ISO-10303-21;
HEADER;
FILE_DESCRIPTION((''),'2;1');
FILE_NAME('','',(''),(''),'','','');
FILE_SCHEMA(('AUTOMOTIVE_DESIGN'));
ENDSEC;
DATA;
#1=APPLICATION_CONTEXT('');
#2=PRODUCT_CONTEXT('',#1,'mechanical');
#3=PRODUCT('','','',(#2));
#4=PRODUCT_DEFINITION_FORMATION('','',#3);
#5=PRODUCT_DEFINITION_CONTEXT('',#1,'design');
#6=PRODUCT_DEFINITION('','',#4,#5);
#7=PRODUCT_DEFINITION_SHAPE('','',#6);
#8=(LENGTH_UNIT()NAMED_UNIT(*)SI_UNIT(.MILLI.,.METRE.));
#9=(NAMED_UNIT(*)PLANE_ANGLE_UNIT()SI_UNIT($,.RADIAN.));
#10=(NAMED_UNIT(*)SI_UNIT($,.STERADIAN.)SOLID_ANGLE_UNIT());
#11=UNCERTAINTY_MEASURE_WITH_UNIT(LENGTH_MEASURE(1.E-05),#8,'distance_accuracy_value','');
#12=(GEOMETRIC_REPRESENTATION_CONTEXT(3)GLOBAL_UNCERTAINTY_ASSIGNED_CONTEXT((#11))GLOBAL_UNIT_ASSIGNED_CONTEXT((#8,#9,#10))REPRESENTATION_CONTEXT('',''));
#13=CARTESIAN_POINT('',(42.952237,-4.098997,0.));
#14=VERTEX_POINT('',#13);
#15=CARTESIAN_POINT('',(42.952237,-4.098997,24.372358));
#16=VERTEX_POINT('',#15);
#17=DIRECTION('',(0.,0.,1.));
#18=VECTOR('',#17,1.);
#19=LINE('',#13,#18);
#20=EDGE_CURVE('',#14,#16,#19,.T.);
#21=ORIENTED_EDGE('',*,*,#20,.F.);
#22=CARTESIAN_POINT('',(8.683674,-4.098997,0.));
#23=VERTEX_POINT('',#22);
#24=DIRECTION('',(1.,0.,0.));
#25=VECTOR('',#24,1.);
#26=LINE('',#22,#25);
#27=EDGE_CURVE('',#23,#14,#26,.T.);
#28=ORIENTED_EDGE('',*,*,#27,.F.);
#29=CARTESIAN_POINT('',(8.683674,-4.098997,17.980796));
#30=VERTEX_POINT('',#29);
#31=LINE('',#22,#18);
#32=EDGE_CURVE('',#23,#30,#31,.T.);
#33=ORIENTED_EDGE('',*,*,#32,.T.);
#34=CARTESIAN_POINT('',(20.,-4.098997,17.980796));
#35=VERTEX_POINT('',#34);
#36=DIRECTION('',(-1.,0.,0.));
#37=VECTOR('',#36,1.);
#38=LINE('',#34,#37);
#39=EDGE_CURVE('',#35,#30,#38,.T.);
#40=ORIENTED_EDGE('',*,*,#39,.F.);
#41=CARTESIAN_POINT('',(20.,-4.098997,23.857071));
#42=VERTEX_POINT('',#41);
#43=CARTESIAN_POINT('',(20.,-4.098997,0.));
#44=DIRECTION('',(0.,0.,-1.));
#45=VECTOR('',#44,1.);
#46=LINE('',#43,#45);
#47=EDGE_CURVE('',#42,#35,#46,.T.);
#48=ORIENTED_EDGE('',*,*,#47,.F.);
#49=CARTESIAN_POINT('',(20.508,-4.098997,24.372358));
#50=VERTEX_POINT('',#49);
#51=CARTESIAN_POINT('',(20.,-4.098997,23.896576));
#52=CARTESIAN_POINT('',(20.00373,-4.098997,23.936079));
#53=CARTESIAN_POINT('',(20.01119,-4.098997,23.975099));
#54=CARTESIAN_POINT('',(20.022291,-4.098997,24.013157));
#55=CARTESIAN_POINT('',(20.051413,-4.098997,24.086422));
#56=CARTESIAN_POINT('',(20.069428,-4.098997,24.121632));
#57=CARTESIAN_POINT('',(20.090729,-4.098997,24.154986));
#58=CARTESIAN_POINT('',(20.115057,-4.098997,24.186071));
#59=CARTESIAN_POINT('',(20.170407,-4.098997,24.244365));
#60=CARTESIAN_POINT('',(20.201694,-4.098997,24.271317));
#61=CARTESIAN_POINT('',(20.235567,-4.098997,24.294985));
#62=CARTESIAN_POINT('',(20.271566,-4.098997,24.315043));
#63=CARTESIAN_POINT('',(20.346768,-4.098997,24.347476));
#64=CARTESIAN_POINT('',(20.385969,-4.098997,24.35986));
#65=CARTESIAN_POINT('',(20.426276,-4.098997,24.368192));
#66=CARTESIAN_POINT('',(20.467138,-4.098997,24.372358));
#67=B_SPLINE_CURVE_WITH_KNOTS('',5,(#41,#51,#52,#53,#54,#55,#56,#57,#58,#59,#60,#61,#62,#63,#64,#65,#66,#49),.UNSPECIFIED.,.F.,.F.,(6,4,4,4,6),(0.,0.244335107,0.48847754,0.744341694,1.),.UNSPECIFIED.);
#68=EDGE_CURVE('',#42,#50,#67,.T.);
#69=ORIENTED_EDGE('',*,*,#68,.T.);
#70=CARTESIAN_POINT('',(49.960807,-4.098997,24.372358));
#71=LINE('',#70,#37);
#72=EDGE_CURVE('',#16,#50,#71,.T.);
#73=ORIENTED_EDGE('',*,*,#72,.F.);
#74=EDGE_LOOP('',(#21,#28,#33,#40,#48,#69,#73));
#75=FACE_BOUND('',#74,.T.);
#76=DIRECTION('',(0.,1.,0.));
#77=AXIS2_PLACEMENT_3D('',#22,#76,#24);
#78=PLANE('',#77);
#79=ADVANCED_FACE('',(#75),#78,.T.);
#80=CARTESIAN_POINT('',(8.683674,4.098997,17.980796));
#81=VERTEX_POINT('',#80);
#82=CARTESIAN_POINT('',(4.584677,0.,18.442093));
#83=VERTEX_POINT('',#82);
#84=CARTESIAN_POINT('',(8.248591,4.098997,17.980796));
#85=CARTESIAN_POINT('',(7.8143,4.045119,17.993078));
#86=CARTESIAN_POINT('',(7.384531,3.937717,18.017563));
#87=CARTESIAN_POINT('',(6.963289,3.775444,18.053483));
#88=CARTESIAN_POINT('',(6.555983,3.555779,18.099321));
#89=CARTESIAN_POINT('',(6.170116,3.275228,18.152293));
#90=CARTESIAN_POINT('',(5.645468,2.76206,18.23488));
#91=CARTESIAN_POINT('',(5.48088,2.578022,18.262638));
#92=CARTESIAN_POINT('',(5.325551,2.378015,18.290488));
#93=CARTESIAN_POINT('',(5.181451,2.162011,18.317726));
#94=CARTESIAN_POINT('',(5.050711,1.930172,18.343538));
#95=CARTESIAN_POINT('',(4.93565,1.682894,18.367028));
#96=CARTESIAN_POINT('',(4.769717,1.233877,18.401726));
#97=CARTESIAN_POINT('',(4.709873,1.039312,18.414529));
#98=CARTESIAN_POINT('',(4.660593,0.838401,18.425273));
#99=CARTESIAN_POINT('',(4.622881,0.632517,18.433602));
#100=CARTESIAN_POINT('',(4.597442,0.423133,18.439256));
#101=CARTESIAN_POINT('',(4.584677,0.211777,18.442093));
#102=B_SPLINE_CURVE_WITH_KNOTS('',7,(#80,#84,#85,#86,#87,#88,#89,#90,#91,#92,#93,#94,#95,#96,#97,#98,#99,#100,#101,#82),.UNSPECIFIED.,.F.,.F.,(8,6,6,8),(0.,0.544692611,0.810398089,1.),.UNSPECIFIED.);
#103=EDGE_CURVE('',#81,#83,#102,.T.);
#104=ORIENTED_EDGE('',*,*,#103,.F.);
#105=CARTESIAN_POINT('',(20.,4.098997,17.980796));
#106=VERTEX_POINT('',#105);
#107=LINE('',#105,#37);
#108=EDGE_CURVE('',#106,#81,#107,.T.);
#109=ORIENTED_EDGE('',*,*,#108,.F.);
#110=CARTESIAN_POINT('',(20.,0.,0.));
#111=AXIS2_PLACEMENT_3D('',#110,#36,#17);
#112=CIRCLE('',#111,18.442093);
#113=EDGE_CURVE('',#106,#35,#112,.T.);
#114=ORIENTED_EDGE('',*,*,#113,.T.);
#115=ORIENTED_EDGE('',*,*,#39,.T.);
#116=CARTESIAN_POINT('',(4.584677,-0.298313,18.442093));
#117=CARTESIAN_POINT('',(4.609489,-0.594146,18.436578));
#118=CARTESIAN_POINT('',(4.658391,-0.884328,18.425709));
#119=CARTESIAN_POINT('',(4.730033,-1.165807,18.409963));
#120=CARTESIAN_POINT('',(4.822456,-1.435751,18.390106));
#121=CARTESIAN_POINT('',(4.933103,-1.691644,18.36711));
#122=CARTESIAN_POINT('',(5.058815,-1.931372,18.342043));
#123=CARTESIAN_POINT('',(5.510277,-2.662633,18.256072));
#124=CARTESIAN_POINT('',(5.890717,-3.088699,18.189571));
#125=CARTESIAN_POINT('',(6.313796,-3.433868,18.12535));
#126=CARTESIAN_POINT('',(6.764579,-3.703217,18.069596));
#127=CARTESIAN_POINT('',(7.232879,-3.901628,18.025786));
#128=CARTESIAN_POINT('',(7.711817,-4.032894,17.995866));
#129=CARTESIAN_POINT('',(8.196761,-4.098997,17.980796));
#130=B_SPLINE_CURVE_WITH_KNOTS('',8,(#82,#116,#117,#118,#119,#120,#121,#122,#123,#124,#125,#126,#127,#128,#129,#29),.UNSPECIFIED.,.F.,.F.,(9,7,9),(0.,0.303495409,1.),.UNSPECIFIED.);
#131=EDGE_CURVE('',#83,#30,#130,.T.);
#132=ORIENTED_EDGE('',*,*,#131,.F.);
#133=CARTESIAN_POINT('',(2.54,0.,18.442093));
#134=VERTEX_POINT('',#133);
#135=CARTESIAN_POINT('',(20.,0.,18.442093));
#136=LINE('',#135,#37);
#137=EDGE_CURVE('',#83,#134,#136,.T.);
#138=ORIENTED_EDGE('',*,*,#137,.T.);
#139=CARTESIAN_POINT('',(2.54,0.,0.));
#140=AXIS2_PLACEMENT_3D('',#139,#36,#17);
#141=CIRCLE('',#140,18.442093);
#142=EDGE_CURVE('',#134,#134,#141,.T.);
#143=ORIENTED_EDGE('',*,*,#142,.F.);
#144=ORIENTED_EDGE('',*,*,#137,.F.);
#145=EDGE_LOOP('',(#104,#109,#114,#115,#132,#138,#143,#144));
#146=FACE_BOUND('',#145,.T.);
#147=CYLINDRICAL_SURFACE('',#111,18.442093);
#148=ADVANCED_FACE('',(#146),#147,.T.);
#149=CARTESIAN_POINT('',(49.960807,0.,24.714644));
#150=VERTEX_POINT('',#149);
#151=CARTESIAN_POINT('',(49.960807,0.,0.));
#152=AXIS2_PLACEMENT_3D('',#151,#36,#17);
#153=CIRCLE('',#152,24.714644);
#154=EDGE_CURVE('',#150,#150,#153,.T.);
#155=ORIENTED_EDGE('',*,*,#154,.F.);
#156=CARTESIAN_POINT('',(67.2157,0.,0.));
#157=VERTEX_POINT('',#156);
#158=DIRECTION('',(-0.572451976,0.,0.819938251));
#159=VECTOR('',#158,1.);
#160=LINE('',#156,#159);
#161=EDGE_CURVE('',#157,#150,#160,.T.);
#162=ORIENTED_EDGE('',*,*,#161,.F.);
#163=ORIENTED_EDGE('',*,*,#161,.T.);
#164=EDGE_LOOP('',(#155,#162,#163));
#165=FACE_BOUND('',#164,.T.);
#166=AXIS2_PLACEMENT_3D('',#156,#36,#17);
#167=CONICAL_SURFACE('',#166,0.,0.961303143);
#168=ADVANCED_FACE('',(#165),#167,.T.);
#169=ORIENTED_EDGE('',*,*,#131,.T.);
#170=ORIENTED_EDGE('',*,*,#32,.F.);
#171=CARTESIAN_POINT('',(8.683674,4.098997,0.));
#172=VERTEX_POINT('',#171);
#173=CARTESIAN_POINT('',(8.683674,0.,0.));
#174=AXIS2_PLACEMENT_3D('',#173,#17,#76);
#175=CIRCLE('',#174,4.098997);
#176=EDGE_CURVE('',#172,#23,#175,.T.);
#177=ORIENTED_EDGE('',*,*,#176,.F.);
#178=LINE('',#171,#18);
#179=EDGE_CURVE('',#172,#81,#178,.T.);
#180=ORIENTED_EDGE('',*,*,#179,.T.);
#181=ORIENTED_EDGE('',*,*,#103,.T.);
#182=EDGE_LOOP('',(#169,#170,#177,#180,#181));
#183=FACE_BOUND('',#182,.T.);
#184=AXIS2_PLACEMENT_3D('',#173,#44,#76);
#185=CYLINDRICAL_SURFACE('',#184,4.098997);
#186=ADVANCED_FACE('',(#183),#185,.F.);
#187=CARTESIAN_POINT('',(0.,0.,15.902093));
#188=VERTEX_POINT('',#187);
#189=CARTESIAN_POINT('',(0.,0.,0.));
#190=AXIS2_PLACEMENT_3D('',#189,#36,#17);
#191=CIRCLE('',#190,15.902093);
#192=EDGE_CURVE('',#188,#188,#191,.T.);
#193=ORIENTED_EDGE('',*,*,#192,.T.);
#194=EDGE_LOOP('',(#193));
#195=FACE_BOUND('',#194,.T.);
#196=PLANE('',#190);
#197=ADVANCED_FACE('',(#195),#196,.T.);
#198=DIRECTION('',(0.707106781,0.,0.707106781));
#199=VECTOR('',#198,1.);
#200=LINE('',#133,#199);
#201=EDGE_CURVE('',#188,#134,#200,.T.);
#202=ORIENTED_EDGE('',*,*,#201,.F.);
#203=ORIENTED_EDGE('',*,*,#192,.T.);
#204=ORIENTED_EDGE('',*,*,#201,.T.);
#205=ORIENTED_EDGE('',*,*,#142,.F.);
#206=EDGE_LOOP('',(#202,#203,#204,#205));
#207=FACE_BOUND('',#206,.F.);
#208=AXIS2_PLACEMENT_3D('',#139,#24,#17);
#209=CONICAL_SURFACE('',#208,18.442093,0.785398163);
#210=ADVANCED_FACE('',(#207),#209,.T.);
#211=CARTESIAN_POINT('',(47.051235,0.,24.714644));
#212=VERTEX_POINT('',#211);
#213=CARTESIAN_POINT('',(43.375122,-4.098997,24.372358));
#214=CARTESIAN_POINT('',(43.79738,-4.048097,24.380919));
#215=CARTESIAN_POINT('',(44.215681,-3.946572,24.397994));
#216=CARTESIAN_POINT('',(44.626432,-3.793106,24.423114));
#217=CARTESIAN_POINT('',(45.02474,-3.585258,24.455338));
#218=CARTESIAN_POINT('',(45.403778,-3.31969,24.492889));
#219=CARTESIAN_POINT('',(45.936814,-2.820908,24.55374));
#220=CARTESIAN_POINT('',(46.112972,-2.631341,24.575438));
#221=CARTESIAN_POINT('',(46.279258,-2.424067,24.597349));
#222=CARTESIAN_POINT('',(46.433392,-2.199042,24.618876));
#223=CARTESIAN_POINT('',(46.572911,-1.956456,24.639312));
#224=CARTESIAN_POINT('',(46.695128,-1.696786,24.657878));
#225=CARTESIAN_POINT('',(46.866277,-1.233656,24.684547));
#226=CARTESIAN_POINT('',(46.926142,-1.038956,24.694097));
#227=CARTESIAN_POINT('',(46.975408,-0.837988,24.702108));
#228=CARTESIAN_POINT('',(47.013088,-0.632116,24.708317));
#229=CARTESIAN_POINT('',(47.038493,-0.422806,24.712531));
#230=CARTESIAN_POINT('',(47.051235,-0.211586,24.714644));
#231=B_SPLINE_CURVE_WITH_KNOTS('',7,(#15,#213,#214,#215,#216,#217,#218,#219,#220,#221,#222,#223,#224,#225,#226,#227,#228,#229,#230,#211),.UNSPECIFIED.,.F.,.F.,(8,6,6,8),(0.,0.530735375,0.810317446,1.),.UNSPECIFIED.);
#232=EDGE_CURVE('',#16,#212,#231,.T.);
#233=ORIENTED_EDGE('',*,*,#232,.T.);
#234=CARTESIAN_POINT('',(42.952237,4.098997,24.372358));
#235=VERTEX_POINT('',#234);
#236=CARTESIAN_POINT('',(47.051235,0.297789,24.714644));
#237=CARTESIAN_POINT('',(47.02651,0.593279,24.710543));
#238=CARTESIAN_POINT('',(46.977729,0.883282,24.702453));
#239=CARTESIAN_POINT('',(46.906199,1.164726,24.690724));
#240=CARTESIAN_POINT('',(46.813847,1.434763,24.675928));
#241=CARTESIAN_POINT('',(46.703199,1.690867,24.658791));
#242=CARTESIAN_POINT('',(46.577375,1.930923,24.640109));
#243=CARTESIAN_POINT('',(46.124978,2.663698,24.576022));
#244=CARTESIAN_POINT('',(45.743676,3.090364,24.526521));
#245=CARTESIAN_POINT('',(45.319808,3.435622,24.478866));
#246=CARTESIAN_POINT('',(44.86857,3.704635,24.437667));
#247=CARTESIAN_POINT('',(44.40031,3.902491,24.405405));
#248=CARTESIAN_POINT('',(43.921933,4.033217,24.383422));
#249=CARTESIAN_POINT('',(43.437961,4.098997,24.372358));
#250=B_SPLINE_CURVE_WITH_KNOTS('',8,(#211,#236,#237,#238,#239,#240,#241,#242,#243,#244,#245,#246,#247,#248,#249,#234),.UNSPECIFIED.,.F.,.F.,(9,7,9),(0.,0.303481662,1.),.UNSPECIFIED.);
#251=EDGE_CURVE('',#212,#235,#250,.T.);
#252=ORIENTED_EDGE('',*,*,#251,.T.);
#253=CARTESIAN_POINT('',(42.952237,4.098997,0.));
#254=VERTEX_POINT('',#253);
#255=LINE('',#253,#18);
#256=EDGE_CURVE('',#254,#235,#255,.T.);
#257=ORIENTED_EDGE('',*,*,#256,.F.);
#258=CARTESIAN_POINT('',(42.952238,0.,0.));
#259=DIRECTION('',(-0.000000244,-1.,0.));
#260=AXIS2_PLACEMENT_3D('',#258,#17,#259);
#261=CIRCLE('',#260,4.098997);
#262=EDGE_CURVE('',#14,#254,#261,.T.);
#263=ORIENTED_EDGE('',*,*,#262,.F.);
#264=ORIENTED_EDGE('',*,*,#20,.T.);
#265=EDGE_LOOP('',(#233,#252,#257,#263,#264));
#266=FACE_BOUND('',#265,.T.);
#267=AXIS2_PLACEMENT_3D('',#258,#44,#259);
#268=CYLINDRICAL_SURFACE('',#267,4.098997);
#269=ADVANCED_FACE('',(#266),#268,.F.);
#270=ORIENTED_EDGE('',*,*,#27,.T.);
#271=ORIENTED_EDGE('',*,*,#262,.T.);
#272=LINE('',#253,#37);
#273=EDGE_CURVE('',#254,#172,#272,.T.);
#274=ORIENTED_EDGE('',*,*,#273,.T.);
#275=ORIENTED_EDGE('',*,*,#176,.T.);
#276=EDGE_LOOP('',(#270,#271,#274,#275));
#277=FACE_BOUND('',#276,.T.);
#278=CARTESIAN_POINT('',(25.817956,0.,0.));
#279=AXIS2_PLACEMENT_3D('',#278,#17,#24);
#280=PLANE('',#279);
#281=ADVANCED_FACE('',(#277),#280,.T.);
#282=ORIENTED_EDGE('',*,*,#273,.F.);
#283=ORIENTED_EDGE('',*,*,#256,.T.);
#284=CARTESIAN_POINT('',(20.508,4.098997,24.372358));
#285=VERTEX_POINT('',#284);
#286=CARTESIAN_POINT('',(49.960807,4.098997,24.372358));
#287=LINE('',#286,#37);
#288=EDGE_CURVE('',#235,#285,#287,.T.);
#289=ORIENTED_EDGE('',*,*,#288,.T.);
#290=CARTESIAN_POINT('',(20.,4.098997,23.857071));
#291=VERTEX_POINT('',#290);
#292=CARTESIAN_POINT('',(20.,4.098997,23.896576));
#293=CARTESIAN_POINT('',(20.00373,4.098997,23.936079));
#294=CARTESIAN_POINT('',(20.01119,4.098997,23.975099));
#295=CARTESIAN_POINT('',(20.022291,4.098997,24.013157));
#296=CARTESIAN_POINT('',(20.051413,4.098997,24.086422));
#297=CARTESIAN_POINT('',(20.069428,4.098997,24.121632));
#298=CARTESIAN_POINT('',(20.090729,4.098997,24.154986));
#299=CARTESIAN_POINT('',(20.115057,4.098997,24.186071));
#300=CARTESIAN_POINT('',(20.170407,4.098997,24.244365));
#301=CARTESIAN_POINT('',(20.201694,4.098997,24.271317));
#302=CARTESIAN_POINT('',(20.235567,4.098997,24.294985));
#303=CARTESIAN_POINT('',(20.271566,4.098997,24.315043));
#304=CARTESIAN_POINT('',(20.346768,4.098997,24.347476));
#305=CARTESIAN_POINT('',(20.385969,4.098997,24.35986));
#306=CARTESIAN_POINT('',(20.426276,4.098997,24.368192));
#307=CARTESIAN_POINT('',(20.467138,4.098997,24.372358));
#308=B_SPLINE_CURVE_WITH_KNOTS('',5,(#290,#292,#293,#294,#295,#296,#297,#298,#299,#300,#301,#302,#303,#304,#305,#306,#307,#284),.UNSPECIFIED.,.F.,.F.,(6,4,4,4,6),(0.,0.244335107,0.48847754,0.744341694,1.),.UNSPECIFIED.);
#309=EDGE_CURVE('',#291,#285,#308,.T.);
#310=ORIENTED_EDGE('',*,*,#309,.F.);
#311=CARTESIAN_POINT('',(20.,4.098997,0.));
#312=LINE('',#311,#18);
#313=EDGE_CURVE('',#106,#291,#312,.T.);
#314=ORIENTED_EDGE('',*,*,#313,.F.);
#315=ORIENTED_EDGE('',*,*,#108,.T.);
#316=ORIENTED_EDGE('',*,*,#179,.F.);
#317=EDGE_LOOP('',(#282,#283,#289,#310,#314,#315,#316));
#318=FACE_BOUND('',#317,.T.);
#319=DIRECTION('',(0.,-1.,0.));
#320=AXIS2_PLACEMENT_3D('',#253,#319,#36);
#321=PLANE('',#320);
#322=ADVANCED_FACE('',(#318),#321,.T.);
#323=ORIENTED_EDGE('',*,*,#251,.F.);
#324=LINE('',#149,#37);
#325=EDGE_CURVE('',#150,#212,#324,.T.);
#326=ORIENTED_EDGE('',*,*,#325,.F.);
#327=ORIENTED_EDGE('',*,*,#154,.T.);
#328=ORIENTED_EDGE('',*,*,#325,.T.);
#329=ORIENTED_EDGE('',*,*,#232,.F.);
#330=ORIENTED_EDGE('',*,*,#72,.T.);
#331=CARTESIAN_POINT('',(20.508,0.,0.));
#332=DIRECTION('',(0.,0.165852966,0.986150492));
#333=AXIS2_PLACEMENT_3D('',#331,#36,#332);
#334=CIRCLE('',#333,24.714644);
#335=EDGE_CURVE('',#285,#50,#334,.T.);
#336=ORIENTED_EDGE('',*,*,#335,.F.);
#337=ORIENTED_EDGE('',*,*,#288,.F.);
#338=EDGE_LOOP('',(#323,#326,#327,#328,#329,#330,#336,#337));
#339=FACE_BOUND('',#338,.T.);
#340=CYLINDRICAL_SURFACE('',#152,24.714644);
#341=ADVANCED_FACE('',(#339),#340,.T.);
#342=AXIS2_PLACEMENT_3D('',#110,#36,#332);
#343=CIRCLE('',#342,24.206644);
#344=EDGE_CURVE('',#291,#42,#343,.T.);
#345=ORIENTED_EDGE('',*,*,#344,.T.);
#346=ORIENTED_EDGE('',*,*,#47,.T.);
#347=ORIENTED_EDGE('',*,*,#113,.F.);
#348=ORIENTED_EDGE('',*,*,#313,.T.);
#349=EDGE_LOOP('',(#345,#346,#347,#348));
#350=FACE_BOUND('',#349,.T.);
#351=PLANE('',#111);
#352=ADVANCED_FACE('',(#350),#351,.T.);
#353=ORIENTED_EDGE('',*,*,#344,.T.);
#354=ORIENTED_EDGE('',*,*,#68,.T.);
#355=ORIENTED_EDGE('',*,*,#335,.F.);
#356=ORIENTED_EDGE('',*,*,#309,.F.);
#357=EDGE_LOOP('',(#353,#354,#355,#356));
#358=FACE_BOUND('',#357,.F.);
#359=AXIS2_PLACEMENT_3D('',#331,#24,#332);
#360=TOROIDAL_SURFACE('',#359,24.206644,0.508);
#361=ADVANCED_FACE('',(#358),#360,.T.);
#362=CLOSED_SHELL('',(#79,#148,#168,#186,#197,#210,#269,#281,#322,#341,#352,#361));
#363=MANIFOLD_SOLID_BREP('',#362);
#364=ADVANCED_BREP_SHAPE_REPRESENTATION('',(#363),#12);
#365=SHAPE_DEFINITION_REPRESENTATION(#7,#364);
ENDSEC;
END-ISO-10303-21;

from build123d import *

# Parameters (mm, degrees)
F3_DEPTH = 25.4
F4_SIZE  = 2.54
F5_R     = 0.508


with BuildPart() as f1:
    # F0 (on Front) → F1 (revolve)
    with BuildSketch(Plane.XZ):
        Polygon((0, 18.442093), (0, 0), (67.2157, 0), (49.960807, 24.714644), (20, 24.714644), (20, 18.442093), align=None)
    revolve(axis=Axis((33.60785, 0, 0), (-1, 0, 0)))

    # F2 (on Top) → F3 (cut)
    with BuildSketch(Plane.XY):
        with BuildLine():
            Line((42.952237, 4.098997), (8.683674, 4.098997))
            ThreePointArc((8.683674, 4.098997), (4.584677, 0), (8.683674, -4.098997))
            Line((8.683674, -4.098997), (42.952237, -4.098997))
            ThreePointArc((42.952237, -4.098997), (47.051235, 0), (42.952237, 4.098997))
        make_face()
    extrude(amount=F3_DEPTH, mode=Mode.SUBTRACT)

    # F4
    f4_edges = [f1.edges().sort_by_distance(p)[0] for p in [
        (0, 0, -18.442093),
    ]]
    chamfer(f4_edges, length=F4_SIZE)

    # F5
    f5_edges = [f1.edges().sort_by_distance(p)[0] for p in [
        (20, 0, -24.714644),
    ]]
    fillet(f5_edges, radius=F5_R)


solid = f1.part
